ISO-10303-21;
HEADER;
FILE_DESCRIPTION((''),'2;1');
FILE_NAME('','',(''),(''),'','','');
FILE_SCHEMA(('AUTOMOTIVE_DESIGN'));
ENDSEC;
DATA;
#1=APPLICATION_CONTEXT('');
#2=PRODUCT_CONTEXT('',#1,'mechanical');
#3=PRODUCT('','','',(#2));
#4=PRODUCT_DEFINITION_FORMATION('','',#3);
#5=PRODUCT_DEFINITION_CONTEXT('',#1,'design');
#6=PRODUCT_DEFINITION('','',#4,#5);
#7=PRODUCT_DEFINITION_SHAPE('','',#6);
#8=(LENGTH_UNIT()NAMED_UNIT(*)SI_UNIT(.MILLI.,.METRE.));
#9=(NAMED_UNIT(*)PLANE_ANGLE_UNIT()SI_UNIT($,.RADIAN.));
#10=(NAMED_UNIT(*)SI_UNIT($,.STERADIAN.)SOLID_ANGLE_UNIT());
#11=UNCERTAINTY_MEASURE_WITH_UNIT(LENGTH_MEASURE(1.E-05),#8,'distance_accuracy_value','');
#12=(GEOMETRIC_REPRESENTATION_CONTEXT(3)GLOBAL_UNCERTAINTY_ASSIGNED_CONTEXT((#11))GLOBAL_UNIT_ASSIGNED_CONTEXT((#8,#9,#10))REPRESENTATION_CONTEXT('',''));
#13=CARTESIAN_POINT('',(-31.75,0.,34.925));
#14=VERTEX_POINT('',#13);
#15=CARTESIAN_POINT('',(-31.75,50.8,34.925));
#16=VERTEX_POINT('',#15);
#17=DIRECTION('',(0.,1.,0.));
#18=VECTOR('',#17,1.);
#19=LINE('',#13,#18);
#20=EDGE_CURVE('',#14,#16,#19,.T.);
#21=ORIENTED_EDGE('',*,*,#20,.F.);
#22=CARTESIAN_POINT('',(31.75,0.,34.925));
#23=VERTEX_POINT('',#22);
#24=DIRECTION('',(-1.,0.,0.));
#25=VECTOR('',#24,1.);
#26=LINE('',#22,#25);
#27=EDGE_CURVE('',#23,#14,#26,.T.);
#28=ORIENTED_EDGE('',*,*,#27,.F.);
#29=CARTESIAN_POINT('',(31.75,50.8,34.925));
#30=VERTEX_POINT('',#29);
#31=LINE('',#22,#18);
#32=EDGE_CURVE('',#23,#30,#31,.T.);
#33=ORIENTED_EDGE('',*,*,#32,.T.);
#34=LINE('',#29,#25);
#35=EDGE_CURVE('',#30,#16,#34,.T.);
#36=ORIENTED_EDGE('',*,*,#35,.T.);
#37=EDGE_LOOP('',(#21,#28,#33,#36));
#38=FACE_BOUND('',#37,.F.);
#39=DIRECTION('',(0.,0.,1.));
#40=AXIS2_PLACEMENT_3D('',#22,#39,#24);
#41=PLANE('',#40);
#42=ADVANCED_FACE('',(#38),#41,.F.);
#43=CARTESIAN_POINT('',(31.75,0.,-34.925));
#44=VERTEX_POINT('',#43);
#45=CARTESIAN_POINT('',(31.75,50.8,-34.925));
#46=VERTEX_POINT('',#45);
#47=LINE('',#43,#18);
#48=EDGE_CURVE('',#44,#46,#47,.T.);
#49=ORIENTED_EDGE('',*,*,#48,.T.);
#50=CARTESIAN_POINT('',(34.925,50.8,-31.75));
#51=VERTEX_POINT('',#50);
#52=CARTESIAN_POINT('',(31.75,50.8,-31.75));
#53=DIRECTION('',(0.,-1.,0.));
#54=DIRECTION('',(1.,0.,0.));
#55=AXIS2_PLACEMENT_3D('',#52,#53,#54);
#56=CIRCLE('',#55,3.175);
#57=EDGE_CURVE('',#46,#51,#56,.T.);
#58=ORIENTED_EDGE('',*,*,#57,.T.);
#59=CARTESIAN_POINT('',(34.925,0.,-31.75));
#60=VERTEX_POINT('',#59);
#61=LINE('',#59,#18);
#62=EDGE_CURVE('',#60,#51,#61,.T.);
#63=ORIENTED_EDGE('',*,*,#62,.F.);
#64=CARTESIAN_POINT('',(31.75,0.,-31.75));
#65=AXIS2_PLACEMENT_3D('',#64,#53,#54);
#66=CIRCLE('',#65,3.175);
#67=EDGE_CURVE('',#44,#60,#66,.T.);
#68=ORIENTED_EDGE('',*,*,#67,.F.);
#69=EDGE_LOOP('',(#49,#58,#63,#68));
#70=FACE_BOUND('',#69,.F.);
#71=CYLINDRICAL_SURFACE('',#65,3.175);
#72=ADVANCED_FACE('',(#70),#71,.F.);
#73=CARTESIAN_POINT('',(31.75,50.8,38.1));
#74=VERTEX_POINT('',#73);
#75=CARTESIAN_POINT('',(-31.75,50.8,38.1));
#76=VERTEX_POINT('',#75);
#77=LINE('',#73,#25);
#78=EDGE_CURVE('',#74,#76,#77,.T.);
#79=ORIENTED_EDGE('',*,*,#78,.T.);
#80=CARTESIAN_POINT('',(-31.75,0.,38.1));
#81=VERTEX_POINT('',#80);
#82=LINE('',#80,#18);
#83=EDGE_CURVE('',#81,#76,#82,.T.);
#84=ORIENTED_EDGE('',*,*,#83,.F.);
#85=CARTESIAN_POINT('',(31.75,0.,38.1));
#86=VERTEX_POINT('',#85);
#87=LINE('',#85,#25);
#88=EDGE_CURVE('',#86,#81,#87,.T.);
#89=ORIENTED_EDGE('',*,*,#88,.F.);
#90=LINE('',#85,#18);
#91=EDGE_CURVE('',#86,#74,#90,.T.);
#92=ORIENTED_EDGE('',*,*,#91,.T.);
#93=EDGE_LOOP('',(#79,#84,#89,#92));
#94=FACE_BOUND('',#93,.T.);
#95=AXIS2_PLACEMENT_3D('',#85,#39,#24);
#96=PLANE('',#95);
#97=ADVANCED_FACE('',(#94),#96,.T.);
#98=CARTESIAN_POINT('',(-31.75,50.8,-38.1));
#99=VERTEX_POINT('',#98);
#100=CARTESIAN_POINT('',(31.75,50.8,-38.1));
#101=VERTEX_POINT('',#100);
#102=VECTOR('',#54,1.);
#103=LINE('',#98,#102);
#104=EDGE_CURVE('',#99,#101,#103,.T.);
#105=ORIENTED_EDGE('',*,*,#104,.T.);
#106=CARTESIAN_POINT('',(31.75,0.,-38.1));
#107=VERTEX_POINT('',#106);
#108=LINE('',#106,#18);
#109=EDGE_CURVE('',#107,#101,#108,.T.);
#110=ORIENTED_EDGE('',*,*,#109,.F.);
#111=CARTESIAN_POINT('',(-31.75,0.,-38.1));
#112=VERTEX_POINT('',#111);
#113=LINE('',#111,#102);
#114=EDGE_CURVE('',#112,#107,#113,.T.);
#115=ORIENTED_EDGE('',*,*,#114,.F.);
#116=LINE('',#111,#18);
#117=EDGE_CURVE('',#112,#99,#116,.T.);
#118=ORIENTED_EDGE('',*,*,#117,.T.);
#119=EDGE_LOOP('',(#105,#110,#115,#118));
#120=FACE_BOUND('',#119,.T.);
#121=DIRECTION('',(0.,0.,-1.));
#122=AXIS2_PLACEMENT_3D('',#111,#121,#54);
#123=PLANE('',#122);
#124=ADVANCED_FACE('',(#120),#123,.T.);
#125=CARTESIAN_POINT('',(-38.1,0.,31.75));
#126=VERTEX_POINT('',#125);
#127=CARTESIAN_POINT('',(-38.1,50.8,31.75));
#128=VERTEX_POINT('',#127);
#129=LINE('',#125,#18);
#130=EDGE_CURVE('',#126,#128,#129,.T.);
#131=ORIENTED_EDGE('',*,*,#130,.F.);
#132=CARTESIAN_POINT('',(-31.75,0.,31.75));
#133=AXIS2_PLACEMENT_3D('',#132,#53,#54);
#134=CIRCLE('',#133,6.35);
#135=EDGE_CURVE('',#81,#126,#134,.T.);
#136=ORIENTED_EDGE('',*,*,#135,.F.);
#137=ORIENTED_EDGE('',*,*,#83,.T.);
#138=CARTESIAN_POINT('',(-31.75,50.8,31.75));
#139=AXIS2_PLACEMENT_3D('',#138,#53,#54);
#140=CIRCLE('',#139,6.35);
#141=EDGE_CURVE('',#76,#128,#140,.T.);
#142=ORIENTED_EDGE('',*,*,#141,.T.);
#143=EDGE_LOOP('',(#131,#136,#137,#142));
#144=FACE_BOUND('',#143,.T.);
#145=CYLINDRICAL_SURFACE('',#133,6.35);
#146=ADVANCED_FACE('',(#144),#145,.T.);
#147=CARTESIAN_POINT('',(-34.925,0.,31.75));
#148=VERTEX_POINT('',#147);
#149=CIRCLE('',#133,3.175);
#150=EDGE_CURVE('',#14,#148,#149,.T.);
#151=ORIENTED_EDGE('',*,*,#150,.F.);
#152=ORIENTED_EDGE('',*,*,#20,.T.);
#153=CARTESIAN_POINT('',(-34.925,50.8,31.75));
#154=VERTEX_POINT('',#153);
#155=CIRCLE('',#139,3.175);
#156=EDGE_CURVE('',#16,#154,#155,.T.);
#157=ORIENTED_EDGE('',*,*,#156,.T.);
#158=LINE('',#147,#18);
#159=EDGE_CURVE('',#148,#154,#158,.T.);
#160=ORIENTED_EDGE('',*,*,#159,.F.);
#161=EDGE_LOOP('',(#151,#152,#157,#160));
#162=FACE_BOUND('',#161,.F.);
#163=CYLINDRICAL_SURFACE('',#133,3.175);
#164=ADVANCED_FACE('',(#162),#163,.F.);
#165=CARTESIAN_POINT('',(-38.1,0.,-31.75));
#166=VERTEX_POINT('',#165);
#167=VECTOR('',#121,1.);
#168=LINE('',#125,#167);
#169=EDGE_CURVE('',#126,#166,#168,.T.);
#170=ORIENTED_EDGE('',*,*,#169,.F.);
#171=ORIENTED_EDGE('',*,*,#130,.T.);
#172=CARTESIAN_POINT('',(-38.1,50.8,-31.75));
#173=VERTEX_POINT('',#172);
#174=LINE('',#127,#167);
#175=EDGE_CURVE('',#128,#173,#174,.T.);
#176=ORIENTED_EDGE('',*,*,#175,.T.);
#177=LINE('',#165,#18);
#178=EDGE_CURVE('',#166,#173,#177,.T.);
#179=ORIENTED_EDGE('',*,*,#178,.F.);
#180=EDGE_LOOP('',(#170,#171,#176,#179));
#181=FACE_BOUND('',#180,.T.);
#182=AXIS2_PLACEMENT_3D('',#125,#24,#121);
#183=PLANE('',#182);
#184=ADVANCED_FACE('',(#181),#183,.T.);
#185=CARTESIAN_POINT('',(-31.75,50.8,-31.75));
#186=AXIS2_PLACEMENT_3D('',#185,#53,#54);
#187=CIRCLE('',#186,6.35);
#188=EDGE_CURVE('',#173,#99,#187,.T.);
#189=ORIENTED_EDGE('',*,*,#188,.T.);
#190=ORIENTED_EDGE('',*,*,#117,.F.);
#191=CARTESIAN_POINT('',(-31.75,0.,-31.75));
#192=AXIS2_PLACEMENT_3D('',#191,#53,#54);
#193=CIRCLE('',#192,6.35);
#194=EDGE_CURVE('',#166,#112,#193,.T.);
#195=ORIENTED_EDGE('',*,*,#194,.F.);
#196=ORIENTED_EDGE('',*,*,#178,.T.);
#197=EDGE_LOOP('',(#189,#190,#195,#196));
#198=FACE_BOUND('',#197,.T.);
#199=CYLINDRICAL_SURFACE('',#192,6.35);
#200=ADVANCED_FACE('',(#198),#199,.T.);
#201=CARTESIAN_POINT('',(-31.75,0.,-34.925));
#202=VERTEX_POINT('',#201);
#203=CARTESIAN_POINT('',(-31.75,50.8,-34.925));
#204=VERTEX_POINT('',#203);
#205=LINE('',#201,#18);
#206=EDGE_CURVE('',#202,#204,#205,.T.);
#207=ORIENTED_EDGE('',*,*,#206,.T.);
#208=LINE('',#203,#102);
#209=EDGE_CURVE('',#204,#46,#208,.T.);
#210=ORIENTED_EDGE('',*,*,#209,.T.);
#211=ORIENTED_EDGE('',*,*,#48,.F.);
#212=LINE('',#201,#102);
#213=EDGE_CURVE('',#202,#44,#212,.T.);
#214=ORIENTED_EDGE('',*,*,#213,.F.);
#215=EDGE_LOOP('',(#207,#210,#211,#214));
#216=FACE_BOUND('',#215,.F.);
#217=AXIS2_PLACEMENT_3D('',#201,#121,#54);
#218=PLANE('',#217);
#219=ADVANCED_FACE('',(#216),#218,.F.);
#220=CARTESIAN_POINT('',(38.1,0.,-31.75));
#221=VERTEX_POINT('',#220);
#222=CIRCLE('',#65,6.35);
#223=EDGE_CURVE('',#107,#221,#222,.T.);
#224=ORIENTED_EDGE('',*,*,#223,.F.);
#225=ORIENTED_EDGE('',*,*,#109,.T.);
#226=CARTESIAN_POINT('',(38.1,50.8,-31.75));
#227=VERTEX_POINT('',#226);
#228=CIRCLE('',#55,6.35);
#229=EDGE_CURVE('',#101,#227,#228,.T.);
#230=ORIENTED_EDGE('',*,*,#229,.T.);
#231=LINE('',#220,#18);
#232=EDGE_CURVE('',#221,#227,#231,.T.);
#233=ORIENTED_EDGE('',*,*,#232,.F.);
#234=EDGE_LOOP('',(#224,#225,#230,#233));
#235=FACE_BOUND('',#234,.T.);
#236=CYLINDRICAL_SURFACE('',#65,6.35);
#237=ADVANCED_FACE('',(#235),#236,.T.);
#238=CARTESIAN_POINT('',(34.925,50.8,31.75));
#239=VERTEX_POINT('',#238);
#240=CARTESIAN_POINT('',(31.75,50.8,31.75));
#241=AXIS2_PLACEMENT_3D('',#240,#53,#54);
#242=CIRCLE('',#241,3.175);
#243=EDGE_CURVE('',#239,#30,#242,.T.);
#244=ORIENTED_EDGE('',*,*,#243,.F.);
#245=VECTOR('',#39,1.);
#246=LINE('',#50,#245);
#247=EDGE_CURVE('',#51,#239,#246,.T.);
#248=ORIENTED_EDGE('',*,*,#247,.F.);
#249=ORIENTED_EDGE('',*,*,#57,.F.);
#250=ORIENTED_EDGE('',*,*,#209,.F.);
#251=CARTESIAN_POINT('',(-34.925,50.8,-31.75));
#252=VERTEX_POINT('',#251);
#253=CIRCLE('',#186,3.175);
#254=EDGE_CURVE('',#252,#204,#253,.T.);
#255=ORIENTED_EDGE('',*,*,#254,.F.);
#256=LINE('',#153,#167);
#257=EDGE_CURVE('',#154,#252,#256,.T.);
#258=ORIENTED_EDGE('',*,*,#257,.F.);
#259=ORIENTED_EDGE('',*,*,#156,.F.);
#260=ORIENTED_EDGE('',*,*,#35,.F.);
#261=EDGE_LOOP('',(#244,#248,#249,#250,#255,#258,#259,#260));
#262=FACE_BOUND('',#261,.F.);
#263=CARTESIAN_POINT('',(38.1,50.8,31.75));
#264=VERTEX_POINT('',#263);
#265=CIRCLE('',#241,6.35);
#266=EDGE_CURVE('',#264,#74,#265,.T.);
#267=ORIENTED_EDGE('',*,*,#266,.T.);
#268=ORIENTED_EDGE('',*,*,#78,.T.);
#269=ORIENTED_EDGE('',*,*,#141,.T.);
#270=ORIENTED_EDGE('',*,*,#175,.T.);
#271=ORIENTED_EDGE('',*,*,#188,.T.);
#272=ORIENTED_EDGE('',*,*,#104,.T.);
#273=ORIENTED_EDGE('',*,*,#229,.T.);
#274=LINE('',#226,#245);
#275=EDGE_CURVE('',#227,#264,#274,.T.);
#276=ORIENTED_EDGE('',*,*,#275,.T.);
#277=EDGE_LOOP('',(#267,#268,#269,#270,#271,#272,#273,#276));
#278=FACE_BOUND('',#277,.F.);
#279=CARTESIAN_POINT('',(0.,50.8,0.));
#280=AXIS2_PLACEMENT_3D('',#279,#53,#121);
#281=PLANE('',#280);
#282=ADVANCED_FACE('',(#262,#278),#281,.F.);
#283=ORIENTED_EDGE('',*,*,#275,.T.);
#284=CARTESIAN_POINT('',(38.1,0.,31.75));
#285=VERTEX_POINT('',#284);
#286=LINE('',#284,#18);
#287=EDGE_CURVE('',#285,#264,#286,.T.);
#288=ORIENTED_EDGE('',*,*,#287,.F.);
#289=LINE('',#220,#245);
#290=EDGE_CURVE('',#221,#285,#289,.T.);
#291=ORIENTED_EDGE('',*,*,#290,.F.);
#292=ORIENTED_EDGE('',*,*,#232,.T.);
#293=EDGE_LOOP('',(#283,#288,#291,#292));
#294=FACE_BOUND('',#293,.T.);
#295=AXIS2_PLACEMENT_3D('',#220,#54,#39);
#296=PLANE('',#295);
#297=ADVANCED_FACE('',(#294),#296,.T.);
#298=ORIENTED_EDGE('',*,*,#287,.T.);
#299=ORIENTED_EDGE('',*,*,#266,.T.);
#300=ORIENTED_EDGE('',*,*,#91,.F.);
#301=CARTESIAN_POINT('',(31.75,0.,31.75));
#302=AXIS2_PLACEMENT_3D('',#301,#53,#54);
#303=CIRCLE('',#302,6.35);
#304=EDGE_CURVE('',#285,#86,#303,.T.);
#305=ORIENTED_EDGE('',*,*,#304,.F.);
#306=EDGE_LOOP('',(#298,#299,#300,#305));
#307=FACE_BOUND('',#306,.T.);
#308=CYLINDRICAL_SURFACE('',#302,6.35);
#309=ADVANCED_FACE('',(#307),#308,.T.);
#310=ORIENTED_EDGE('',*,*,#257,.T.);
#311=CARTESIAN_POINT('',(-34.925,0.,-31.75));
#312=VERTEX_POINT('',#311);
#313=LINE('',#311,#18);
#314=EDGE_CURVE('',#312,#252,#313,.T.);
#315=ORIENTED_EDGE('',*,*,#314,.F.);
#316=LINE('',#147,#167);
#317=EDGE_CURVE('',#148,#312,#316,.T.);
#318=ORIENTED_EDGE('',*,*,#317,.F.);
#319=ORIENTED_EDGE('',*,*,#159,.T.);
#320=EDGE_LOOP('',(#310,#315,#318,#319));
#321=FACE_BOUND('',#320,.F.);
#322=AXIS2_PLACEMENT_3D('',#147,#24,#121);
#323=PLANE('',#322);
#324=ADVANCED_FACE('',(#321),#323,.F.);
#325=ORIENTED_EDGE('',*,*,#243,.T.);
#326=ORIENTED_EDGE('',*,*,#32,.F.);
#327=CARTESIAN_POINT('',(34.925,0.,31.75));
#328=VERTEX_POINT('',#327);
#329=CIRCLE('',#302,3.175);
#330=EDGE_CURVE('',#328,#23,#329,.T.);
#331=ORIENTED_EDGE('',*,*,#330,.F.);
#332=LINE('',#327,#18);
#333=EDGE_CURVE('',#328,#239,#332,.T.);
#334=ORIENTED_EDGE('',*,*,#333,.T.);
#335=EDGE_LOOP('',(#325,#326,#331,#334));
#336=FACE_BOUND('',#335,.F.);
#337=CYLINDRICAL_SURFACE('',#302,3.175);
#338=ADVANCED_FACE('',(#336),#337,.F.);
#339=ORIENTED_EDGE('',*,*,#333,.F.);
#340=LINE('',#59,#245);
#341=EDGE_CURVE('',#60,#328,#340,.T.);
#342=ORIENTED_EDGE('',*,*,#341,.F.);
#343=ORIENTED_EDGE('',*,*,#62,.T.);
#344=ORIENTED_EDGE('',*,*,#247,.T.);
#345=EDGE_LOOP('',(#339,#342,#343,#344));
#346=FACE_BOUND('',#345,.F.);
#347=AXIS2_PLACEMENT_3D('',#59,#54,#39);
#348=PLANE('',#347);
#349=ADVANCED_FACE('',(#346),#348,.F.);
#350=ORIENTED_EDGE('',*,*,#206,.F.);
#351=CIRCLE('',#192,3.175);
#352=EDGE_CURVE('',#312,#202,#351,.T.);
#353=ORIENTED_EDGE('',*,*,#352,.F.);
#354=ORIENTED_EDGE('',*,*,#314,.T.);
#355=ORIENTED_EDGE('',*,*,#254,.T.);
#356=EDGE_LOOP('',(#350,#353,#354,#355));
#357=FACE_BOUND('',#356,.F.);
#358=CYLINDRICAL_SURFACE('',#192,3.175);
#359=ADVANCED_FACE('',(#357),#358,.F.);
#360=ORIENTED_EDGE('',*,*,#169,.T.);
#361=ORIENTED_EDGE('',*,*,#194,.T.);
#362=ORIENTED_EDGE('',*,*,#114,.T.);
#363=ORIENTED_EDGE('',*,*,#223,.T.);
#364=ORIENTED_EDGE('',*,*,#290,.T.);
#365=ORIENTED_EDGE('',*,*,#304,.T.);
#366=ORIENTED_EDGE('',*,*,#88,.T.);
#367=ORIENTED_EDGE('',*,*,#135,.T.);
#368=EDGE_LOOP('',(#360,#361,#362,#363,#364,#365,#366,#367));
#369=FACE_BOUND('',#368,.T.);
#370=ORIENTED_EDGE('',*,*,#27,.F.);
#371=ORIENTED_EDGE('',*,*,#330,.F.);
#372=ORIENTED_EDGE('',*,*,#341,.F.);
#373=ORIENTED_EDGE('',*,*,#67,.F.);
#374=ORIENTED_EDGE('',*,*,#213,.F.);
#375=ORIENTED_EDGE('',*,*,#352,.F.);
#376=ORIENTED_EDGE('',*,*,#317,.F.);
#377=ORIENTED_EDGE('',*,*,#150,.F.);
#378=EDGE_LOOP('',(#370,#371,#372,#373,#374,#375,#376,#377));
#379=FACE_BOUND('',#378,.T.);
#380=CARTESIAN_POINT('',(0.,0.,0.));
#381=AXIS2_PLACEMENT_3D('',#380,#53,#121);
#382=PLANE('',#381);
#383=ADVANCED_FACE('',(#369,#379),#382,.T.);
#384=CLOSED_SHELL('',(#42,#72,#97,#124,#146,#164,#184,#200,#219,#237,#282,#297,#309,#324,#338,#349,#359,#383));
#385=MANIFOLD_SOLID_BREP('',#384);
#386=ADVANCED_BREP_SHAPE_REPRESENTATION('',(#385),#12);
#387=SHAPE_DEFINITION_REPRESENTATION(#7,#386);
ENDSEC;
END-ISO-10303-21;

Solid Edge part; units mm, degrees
sketch "Sketch1" plane through (0, 0, 0) normal (0, -1, 0) x (1, 0, 0)
  arc A0 (-38.1, -31.75) -> (-31.75, -38.1) centre (-31.75, -31.75) ccw
  line L0 (-31.75, -38.1) -> (31.75, -38.1)
  arc A1 (31.75, -38.1) -> (38.1, -31.75) centre (31.75, -31.75) ccw
  line L1 (38.1, -31.75) -> (38.1, 31.75)
  arc A2 (38.1, 31.75) -> (31.75, 38.1) centre (31.75, 31.75) ccw
  line L2 (31.75, 38.1) -> (-31.75, 38.1)
  arc A3 (-31.75, 38.1) -> (-38.1, 31.75) centre (-31.75, 31.75) ccw
  line L3 (-38.1, 31.75) -> (-38.1, -31.75)
  line L4 (-34.925, 31.75) -> (-34.925, -31.75)
  arc A4 (-34.925, -31.75) -> (-31.75, -34.925) centre (-31.75, -31.75) ccw
  line L5 (-31.75, -34.925) -> (31.75, -34.925)
  arc A5 (31.75, -34.925) -> (34.925, -31.75) centre (31.75, -31.75) ccw
  line L6 (34.925, -31.75) -> (34.925, 31.75)
  arc A6 (34.925, 31.75) -> (31.75, 34.925) centre (31.75, 31.75) ccw
  line L7 (31.75, 34.925) -> (-31.75, 34.925)
  arc A7 (-31.75, 34.925) -> (-34.925, 31.75) centre (-31.75, 31.75) ccw
  dimension "D1" = 76.2
  dimension "D2" = 76.2
  dimension "D3" = 3.175
  dimension "D4" = 3.175
  dimension "D5" = 3.175
  dimension "D6" = 3.175
extrude "Protrusion1" add sketch "Sketch1" against normal blind 50.8
